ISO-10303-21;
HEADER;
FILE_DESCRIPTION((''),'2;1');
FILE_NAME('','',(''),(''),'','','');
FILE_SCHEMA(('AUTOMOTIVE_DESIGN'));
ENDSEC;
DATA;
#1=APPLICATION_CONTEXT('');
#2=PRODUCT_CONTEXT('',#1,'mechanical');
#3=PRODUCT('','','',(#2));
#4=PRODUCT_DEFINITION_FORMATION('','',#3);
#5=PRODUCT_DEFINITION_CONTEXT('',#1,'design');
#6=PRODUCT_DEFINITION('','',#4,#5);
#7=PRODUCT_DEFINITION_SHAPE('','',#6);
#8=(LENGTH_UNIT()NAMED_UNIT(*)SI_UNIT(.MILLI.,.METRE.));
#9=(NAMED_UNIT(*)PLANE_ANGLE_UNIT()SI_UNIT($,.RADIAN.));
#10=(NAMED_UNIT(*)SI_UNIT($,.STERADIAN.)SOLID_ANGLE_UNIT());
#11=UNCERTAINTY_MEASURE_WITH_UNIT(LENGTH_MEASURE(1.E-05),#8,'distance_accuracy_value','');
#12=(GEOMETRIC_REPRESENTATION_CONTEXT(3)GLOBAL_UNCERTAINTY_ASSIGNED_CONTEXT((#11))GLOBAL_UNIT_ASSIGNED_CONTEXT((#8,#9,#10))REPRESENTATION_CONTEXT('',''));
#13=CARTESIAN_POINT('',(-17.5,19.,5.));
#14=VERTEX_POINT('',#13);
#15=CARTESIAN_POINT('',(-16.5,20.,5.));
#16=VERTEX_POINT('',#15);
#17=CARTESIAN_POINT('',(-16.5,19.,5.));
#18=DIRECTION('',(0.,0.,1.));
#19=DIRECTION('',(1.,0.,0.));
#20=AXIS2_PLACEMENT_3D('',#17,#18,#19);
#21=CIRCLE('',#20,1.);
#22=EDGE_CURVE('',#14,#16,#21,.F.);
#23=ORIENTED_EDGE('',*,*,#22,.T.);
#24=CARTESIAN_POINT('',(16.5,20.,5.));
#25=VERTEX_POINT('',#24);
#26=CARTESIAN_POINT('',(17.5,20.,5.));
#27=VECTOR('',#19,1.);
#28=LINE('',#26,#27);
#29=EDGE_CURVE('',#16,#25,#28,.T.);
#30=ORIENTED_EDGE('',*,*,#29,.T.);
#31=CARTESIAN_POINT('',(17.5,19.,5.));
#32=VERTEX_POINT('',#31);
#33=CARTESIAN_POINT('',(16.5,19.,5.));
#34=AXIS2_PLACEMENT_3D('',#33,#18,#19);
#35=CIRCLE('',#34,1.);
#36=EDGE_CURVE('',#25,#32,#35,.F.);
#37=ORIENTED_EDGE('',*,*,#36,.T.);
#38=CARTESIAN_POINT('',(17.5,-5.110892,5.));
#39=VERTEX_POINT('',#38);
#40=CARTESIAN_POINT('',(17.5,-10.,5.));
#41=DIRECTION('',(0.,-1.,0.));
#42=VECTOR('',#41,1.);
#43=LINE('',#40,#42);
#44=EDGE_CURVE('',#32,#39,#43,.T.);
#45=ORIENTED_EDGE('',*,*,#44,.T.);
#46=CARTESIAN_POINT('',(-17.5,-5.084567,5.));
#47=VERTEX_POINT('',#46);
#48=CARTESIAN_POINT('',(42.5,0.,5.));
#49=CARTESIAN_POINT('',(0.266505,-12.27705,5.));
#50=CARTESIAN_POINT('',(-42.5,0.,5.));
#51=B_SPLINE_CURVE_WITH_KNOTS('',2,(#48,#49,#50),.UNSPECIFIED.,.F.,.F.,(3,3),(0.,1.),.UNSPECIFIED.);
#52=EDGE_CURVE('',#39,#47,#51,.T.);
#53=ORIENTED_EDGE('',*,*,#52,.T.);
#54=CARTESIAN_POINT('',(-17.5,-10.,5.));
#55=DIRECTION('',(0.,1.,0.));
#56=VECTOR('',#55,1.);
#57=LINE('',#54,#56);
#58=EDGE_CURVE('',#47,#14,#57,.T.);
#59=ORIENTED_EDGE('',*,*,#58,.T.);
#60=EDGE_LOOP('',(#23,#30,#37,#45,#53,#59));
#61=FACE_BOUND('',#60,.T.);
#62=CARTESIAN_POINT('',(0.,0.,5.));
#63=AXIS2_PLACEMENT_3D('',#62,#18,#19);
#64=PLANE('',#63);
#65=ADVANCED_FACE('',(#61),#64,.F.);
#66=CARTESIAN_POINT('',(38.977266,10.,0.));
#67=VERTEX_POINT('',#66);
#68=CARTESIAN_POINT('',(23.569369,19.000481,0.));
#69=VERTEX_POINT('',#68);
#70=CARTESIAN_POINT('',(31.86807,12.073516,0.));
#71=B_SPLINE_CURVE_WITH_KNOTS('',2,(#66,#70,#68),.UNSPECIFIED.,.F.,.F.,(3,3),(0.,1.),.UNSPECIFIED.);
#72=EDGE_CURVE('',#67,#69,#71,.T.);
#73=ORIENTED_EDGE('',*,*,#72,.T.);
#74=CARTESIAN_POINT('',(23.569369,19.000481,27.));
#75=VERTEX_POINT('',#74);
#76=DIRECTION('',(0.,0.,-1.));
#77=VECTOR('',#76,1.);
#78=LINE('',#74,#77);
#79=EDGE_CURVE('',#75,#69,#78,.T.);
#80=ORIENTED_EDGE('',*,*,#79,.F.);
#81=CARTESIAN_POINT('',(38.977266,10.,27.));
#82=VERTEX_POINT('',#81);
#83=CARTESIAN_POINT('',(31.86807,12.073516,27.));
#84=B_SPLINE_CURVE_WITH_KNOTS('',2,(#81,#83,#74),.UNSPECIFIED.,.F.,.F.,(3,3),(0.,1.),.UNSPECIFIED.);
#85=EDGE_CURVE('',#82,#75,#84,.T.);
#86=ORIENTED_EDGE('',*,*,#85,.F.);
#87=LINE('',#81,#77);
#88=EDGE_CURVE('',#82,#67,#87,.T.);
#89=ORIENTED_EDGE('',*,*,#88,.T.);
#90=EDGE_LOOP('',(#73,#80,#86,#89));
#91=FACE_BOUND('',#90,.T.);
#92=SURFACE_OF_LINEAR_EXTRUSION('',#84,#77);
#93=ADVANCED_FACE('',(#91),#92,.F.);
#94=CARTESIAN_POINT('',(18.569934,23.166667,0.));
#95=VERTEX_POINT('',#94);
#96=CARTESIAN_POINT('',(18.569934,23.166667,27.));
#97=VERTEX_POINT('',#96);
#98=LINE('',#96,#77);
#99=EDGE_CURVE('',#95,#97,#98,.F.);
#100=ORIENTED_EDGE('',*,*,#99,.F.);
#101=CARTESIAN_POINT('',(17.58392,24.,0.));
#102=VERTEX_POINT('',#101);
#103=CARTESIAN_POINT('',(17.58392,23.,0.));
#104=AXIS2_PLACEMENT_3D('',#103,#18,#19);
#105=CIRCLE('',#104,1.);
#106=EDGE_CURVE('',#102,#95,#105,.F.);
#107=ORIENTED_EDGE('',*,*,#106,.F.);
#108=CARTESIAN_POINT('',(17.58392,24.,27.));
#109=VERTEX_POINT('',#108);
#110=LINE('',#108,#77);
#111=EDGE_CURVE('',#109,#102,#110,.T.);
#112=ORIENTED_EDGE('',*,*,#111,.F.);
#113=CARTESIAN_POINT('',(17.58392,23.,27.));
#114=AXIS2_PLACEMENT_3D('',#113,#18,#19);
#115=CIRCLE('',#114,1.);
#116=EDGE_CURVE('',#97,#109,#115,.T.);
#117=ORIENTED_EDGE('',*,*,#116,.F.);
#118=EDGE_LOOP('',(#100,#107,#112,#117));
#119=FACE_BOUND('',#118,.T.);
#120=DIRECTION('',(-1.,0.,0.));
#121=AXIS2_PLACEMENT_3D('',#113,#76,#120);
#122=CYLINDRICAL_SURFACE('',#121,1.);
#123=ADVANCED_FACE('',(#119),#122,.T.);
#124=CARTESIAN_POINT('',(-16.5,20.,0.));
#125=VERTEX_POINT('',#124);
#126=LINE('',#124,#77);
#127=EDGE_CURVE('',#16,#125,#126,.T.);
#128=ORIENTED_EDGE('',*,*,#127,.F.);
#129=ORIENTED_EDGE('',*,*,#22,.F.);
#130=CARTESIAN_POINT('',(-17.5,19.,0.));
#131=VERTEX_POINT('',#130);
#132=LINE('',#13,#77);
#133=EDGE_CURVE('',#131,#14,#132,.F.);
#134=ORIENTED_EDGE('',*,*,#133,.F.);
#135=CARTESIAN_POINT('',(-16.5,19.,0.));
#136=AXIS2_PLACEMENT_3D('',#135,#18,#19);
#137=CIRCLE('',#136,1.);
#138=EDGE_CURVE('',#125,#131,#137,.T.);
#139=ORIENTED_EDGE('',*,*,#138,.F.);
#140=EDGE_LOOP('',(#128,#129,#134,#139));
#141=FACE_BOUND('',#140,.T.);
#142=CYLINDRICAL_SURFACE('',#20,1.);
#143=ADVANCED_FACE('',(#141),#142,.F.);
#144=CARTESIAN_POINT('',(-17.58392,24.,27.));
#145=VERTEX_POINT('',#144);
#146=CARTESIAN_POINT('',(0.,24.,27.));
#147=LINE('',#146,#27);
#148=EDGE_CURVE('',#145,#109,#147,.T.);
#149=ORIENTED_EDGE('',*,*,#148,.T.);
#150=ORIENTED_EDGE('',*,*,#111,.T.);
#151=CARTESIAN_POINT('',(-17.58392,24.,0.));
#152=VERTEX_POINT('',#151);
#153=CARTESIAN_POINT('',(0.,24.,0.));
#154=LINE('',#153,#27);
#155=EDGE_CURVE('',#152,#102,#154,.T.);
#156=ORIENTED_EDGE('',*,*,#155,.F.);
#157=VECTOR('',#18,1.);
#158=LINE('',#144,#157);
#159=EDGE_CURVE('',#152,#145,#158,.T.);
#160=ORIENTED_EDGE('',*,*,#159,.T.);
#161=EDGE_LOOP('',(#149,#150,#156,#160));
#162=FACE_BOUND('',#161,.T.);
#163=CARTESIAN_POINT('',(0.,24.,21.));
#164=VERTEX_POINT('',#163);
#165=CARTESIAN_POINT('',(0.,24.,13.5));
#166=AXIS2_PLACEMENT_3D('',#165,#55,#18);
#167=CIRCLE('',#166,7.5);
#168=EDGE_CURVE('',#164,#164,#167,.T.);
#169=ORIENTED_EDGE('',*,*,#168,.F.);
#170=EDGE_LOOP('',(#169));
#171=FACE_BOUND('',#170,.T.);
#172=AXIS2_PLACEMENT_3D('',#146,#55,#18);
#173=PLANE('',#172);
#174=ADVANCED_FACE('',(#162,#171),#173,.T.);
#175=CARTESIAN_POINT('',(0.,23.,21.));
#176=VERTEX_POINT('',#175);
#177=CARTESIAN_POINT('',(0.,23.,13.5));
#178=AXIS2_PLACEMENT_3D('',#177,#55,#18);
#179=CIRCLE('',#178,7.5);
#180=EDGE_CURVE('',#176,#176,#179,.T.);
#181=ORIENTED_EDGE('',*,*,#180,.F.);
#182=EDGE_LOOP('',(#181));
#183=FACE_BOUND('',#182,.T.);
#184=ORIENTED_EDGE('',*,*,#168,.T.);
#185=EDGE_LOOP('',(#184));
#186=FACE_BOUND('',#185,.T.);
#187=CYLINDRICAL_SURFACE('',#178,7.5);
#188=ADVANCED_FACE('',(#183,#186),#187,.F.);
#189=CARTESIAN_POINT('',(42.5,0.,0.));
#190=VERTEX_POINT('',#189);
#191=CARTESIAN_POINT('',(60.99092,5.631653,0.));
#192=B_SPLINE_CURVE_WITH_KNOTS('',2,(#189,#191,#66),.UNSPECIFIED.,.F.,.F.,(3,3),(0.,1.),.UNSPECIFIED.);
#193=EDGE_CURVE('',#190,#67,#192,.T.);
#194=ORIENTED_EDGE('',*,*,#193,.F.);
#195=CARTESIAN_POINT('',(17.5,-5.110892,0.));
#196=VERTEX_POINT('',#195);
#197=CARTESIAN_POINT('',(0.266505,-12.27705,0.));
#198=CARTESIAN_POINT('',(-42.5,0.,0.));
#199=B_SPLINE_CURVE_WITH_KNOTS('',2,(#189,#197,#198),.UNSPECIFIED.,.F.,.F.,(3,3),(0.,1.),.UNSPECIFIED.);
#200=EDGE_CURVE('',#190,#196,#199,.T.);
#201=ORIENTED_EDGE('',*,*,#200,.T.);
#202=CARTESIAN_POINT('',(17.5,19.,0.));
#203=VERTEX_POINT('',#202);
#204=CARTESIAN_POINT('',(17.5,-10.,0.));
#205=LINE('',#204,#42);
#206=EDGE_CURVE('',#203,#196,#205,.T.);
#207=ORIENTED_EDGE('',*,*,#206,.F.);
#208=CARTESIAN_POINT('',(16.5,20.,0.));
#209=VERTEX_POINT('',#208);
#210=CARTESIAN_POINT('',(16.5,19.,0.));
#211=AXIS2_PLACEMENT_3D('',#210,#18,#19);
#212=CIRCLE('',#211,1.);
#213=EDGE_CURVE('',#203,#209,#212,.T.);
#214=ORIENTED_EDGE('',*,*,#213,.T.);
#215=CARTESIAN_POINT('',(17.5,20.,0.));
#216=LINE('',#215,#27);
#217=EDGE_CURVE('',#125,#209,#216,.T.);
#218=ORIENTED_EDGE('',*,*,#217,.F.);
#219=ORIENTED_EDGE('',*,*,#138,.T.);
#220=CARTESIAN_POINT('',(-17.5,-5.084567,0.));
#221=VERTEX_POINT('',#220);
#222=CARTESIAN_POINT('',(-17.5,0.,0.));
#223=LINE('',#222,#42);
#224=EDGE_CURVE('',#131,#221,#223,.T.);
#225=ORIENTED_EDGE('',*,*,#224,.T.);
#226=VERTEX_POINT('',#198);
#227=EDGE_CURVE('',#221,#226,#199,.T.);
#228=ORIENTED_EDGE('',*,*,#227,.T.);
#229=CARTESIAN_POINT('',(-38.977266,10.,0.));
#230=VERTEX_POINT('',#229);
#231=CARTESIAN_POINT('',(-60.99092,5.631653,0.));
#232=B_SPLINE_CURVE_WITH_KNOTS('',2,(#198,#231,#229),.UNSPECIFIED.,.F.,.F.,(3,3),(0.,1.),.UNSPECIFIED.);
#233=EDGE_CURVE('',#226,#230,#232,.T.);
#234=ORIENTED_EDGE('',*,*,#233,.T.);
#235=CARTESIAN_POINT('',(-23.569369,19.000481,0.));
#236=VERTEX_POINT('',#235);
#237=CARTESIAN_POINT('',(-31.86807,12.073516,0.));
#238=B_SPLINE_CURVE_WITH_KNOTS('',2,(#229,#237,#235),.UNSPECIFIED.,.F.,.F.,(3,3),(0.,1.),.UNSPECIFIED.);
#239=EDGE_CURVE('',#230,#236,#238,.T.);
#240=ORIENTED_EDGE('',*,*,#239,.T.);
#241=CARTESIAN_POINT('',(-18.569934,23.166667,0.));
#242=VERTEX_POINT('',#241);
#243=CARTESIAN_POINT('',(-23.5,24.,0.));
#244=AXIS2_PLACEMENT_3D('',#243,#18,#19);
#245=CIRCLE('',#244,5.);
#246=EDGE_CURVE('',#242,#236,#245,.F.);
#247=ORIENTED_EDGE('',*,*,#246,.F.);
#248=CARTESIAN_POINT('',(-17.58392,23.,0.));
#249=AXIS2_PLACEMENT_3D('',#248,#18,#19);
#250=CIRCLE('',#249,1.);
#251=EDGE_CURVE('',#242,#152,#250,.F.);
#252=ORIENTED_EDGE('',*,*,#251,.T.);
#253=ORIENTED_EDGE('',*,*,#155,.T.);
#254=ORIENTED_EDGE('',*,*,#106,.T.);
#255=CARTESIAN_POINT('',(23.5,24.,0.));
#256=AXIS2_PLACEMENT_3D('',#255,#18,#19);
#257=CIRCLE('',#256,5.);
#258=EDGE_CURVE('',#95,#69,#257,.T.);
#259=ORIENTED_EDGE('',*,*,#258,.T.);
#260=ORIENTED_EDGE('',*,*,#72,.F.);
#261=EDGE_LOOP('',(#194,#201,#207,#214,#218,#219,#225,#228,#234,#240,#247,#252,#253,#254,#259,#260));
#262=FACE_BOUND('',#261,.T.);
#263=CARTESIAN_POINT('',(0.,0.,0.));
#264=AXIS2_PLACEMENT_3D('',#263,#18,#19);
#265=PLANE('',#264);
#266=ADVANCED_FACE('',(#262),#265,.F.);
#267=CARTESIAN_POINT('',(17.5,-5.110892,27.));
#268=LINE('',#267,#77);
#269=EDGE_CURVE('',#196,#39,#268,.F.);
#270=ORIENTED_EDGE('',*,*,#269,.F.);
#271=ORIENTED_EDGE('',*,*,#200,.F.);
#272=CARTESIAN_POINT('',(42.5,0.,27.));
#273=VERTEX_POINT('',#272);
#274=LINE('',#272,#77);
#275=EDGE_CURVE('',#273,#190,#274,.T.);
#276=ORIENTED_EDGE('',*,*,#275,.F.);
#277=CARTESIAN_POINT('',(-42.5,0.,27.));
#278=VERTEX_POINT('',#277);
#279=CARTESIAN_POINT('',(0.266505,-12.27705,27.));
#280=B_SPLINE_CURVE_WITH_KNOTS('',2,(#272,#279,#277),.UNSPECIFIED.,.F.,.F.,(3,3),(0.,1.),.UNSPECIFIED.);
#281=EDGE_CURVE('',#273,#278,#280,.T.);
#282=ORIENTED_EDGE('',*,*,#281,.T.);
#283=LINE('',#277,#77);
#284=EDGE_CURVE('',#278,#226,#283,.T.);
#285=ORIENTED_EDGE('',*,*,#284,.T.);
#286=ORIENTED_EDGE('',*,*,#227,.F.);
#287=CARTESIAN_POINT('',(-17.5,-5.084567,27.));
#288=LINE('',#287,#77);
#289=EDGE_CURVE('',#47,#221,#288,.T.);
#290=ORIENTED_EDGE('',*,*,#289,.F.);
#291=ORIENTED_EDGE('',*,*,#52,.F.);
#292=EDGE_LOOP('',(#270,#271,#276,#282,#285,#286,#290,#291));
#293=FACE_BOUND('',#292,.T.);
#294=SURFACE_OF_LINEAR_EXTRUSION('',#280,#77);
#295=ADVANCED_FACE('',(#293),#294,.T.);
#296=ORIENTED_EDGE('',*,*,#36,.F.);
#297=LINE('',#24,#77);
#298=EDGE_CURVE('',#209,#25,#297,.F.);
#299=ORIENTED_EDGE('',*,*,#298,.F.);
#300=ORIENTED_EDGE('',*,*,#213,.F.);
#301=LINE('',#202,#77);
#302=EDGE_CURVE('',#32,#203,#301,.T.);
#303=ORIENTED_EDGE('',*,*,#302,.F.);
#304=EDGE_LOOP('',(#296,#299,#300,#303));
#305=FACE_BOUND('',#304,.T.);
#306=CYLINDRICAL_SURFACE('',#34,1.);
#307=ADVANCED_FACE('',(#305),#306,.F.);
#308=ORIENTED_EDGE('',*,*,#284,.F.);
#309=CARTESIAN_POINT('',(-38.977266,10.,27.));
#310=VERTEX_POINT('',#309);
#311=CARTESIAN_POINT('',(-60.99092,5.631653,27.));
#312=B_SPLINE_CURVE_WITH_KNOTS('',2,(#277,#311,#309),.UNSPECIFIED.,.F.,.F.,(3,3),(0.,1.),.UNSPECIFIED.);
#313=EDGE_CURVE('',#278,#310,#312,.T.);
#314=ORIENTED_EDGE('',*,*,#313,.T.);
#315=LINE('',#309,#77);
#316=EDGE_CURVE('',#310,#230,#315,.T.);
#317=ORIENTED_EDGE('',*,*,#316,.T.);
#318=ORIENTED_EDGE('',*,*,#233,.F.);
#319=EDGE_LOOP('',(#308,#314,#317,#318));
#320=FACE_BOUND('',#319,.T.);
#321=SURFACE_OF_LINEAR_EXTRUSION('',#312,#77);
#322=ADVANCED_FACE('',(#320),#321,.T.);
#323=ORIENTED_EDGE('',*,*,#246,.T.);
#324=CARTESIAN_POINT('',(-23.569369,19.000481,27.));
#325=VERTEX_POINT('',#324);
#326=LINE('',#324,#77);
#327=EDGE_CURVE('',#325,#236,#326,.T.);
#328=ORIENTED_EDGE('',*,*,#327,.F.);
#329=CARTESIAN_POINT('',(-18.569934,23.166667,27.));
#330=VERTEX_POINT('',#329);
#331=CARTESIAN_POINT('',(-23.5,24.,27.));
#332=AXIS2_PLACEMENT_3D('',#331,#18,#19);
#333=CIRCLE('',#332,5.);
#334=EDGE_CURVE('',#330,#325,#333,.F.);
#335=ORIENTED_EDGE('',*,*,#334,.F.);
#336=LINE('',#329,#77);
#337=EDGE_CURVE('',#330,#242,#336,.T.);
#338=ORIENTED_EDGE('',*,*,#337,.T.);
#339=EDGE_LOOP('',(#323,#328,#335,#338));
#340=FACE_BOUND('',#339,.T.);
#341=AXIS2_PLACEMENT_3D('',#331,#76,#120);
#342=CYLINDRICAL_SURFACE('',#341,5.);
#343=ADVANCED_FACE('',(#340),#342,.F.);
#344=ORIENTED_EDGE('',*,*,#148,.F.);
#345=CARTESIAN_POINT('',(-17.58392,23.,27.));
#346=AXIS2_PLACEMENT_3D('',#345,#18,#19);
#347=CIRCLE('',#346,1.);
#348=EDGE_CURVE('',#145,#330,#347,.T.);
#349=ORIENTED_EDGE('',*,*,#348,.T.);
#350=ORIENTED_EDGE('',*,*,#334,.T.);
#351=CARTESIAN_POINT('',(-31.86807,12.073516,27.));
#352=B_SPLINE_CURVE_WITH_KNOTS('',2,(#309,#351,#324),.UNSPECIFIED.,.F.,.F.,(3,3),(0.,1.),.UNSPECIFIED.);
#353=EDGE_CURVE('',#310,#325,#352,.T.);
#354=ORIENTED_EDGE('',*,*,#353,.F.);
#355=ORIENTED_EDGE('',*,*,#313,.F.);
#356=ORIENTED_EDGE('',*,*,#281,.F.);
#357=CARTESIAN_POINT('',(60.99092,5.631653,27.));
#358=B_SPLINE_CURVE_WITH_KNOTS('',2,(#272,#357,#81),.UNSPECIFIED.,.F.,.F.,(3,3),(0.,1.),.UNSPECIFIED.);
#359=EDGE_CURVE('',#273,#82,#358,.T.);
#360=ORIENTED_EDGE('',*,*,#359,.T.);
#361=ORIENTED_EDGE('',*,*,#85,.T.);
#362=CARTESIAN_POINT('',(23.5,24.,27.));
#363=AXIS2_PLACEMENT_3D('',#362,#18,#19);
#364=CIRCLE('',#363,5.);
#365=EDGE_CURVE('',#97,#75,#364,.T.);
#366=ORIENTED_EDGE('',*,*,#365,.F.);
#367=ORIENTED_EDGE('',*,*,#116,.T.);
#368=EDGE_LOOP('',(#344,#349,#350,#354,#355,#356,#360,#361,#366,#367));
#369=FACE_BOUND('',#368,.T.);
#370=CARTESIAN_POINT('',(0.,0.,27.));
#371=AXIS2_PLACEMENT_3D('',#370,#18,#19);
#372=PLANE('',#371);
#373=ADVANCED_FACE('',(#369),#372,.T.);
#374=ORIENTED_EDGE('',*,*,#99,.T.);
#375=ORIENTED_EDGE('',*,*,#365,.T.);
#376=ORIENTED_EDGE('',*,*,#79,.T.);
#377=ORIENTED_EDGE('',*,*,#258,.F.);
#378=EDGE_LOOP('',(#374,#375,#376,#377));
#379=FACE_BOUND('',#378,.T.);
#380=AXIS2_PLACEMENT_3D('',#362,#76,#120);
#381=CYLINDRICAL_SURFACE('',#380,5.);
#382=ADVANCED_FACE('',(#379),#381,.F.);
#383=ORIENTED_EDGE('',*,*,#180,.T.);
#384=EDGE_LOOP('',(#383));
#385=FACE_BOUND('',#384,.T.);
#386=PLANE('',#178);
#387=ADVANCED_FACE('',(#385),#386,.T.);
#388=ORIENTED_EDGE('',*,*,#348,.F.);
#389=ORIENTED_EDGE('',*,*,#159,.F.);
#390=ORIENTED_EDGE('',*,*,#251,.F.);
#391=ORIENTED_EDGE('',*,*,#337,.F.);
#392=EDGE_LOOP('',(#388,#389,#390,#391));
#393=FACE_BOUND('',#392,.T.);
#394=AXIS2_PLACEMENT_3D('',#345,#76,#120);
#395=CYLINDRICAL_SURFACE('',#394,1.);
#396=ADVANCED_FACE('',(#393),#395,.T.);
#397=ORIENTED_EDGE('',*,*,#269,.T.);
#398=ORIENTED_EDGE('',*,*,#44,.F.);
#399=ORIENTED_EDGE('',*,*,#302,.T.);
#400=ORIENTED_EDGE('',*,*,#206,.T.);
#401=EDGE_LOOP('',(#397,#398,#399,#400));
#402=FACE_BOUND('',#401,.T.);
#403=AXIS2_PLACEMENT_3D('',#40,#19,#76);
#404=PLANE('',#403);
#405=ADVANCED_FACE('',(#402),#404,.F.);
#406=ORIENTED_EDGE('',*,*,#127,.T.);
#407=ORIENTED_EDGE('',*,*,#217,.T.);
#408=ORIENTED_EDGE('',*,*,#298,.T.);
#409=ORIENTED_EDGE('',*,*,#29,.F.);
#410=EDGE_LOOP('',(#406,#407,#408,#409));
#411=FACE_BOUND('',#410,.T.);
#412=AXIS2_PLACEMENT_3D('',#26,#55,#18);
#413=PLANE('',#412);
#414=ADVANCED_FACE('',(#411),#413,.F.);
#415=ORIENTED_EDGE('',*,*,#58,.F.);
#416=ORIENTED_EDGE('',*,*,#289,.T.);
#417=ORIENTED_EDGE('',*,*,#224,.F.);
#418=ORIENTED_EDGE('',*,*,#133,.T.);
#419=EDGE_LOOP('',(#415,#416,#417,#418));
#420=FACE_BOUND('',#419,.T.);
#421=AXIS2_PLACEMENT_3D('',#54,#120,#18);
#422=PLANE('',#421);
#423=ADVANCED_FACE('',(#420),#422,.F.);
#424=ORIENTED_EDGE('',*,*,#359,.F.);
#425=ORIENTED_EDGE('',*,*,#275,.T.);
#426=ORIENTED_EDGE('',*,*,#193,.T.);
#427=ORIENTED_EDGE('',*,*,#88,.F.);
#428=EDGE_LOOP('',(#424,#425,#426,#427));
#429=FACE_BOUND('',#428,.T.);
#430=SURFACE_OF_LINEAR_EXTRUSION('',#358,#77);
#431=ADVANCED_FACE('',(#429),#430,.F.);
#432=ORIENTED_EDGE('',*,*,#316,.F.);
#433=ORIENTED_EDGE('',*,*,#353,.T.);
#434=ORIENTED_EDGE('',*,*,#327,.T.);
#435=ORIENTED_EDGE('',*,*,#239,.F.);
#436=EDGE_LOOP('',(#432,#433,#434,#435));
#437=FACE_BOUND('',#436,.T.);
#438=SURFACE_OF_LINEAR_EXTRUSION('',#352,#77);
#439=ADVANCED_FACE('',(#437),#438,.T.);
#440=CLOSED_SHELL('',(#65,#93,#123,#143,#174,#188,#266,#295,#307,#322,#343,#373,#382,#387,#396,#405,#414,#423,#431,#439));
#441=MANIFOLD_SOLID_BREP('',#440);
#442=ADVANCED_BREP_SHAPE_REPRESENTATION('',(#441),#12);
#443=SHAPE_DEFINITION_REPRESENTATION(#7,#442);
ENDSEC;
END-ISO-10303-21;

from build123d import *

# Parameters (mm, degrees)
BOSS_EXTRUDE2_DEPTH = 27
BOSS_EXTRUDE3_DEPTH = 27
SKETCH2_W           = 35
SKETCH2_H           = 30
CUT_EXTRUDE1_DEPTH  = 5
FILLET1_R           = 1
SKETCH3_R           = 7.5
CUT_EXTRUDE2_DEPTH  = 1
FILLET2_R           = 1
FILLET3_R           = 1


with BuildPart() as part:
    # Sketch1 → Boss-Extrude2 (new body)
    with BuildSketch(Plane.XY):
        with BuildLine():
            Line((0, -6.138464618), (0, 24))
            Line((0, 24), (-18.5, 24))
            ThreePointArc((-18.5, 24), (-19.98907726, 20.440025069), (-23.569368605, 19.000481223))
            add(Edge.make_bspline(
                [(-38.977266034, 10), (-31.868069792, 12.073515571), (-23.569368605, 19.000481223)],
                knots=[0, 0, 0, 1, 1, 1], degree=2))
            add(Edge.make_bspline(
                [(-42.5, 0), (-60.990919768, 5.63165305), (-38.977266034, 10)],
                knots=[0, 0, 0, 1, 1, 1], degree=2))
            add(Edge.make_bspline(
                [(0, -6.138464618), (-21.18379083, -6.119278693), (-42.5, 0)],
                knots=[0.501567662, 0.501567662, 0.501567662, 1, 1, 1], degree=2))
        make_face()
    extrude(amount=BOSS_EXTRUDE2_DEPTH)

    # Sketch1<4> → Boss-Extrude3 (add)
    with BuildSketch(Plane.XY):
        with BuildLine():
            Line((18.5, 24), (0, 24))
            Line((0, 24), (0, -6.138464618))
            add(Edge.make_bspline(
                [(42.5, 0), (21.317044751, -6.157771231), (0, -6.138464618)],
                knots=[0, 0, 0, 0.501567662, 0.501567662, 0.501567662], degree=2))
            add(Edge.make_bspline(
                [(42.5, 0), (60.990919768, 5.63165305), (38.977266034, 10)],
                knots=[0, 0, 0, 1, 1, 1], degree=2))
            add(Edge.make_bspline(
                [(38.977266034, 10), (31.868069792, 12.073515571), (23.569368605, 19.000481223)],
                knots=[0, 0, 0, 1, 1, 1], degree=2))
            ThreePointArc((23.569368605, 19.000481223), (19.98907726, 20.440025069), (18.5, 24))
        make_face()
    extrude(amount=BOSS_EXTRUDE3_DEPTH)

    # Sketch2 → Cut-Extrude1 (cut)
    with BuildSketch(Plane(origin=(0, 0, 0), x_dir=(-1, 0, 0), z_dir=(0, 0, -1))):
        with Locations((0, 5)):
            Rectangle(SKETCH2_W, SKETCH2_H)
    extrude(amount=-CUT_EXTRUDE1_DEPTH, mode=Mode.SUBTRACT)

    # Fillet1
    fillet1_edges = [part.edges().sort_by_distance(p)[0] for p in [
        (-17.5, 20, 2.5),
        (17.5, 20, 2.5),
    ]]
    fillet(fillet1_edges, radius=FILLET1_R)

    # Sketch3 → Cut-Extrude2 (cut)
    with BuildSketch(Plane(origin=(0, 24, 0), x_dir=(1, 0, 0), z_dir=(0, 1, 0))):
        with Locations((0, -13.5)):
            Circle(SKETCH3_R)
    extrude(amount=-CUT_EXTRUDE2_DEPTH, mode=Mode.SUBTRACT)

    # Fillet2
    fillet2_edges = [part.edges().sort_by_distance(p)[0] for p in [
        (-18.5, 24, 13.5),
    ]]
    fillet(fillet2_edges, radius=FILLET2_R)

    # Fillet3
    fillet3_edges = [part.edges().sort_by_distance(p)[0] for p in [
        (18.5, 24, 13.5),
    ]]
    fillet(fillet3_edges, radius=FILLET3_R)


solid = part.part
